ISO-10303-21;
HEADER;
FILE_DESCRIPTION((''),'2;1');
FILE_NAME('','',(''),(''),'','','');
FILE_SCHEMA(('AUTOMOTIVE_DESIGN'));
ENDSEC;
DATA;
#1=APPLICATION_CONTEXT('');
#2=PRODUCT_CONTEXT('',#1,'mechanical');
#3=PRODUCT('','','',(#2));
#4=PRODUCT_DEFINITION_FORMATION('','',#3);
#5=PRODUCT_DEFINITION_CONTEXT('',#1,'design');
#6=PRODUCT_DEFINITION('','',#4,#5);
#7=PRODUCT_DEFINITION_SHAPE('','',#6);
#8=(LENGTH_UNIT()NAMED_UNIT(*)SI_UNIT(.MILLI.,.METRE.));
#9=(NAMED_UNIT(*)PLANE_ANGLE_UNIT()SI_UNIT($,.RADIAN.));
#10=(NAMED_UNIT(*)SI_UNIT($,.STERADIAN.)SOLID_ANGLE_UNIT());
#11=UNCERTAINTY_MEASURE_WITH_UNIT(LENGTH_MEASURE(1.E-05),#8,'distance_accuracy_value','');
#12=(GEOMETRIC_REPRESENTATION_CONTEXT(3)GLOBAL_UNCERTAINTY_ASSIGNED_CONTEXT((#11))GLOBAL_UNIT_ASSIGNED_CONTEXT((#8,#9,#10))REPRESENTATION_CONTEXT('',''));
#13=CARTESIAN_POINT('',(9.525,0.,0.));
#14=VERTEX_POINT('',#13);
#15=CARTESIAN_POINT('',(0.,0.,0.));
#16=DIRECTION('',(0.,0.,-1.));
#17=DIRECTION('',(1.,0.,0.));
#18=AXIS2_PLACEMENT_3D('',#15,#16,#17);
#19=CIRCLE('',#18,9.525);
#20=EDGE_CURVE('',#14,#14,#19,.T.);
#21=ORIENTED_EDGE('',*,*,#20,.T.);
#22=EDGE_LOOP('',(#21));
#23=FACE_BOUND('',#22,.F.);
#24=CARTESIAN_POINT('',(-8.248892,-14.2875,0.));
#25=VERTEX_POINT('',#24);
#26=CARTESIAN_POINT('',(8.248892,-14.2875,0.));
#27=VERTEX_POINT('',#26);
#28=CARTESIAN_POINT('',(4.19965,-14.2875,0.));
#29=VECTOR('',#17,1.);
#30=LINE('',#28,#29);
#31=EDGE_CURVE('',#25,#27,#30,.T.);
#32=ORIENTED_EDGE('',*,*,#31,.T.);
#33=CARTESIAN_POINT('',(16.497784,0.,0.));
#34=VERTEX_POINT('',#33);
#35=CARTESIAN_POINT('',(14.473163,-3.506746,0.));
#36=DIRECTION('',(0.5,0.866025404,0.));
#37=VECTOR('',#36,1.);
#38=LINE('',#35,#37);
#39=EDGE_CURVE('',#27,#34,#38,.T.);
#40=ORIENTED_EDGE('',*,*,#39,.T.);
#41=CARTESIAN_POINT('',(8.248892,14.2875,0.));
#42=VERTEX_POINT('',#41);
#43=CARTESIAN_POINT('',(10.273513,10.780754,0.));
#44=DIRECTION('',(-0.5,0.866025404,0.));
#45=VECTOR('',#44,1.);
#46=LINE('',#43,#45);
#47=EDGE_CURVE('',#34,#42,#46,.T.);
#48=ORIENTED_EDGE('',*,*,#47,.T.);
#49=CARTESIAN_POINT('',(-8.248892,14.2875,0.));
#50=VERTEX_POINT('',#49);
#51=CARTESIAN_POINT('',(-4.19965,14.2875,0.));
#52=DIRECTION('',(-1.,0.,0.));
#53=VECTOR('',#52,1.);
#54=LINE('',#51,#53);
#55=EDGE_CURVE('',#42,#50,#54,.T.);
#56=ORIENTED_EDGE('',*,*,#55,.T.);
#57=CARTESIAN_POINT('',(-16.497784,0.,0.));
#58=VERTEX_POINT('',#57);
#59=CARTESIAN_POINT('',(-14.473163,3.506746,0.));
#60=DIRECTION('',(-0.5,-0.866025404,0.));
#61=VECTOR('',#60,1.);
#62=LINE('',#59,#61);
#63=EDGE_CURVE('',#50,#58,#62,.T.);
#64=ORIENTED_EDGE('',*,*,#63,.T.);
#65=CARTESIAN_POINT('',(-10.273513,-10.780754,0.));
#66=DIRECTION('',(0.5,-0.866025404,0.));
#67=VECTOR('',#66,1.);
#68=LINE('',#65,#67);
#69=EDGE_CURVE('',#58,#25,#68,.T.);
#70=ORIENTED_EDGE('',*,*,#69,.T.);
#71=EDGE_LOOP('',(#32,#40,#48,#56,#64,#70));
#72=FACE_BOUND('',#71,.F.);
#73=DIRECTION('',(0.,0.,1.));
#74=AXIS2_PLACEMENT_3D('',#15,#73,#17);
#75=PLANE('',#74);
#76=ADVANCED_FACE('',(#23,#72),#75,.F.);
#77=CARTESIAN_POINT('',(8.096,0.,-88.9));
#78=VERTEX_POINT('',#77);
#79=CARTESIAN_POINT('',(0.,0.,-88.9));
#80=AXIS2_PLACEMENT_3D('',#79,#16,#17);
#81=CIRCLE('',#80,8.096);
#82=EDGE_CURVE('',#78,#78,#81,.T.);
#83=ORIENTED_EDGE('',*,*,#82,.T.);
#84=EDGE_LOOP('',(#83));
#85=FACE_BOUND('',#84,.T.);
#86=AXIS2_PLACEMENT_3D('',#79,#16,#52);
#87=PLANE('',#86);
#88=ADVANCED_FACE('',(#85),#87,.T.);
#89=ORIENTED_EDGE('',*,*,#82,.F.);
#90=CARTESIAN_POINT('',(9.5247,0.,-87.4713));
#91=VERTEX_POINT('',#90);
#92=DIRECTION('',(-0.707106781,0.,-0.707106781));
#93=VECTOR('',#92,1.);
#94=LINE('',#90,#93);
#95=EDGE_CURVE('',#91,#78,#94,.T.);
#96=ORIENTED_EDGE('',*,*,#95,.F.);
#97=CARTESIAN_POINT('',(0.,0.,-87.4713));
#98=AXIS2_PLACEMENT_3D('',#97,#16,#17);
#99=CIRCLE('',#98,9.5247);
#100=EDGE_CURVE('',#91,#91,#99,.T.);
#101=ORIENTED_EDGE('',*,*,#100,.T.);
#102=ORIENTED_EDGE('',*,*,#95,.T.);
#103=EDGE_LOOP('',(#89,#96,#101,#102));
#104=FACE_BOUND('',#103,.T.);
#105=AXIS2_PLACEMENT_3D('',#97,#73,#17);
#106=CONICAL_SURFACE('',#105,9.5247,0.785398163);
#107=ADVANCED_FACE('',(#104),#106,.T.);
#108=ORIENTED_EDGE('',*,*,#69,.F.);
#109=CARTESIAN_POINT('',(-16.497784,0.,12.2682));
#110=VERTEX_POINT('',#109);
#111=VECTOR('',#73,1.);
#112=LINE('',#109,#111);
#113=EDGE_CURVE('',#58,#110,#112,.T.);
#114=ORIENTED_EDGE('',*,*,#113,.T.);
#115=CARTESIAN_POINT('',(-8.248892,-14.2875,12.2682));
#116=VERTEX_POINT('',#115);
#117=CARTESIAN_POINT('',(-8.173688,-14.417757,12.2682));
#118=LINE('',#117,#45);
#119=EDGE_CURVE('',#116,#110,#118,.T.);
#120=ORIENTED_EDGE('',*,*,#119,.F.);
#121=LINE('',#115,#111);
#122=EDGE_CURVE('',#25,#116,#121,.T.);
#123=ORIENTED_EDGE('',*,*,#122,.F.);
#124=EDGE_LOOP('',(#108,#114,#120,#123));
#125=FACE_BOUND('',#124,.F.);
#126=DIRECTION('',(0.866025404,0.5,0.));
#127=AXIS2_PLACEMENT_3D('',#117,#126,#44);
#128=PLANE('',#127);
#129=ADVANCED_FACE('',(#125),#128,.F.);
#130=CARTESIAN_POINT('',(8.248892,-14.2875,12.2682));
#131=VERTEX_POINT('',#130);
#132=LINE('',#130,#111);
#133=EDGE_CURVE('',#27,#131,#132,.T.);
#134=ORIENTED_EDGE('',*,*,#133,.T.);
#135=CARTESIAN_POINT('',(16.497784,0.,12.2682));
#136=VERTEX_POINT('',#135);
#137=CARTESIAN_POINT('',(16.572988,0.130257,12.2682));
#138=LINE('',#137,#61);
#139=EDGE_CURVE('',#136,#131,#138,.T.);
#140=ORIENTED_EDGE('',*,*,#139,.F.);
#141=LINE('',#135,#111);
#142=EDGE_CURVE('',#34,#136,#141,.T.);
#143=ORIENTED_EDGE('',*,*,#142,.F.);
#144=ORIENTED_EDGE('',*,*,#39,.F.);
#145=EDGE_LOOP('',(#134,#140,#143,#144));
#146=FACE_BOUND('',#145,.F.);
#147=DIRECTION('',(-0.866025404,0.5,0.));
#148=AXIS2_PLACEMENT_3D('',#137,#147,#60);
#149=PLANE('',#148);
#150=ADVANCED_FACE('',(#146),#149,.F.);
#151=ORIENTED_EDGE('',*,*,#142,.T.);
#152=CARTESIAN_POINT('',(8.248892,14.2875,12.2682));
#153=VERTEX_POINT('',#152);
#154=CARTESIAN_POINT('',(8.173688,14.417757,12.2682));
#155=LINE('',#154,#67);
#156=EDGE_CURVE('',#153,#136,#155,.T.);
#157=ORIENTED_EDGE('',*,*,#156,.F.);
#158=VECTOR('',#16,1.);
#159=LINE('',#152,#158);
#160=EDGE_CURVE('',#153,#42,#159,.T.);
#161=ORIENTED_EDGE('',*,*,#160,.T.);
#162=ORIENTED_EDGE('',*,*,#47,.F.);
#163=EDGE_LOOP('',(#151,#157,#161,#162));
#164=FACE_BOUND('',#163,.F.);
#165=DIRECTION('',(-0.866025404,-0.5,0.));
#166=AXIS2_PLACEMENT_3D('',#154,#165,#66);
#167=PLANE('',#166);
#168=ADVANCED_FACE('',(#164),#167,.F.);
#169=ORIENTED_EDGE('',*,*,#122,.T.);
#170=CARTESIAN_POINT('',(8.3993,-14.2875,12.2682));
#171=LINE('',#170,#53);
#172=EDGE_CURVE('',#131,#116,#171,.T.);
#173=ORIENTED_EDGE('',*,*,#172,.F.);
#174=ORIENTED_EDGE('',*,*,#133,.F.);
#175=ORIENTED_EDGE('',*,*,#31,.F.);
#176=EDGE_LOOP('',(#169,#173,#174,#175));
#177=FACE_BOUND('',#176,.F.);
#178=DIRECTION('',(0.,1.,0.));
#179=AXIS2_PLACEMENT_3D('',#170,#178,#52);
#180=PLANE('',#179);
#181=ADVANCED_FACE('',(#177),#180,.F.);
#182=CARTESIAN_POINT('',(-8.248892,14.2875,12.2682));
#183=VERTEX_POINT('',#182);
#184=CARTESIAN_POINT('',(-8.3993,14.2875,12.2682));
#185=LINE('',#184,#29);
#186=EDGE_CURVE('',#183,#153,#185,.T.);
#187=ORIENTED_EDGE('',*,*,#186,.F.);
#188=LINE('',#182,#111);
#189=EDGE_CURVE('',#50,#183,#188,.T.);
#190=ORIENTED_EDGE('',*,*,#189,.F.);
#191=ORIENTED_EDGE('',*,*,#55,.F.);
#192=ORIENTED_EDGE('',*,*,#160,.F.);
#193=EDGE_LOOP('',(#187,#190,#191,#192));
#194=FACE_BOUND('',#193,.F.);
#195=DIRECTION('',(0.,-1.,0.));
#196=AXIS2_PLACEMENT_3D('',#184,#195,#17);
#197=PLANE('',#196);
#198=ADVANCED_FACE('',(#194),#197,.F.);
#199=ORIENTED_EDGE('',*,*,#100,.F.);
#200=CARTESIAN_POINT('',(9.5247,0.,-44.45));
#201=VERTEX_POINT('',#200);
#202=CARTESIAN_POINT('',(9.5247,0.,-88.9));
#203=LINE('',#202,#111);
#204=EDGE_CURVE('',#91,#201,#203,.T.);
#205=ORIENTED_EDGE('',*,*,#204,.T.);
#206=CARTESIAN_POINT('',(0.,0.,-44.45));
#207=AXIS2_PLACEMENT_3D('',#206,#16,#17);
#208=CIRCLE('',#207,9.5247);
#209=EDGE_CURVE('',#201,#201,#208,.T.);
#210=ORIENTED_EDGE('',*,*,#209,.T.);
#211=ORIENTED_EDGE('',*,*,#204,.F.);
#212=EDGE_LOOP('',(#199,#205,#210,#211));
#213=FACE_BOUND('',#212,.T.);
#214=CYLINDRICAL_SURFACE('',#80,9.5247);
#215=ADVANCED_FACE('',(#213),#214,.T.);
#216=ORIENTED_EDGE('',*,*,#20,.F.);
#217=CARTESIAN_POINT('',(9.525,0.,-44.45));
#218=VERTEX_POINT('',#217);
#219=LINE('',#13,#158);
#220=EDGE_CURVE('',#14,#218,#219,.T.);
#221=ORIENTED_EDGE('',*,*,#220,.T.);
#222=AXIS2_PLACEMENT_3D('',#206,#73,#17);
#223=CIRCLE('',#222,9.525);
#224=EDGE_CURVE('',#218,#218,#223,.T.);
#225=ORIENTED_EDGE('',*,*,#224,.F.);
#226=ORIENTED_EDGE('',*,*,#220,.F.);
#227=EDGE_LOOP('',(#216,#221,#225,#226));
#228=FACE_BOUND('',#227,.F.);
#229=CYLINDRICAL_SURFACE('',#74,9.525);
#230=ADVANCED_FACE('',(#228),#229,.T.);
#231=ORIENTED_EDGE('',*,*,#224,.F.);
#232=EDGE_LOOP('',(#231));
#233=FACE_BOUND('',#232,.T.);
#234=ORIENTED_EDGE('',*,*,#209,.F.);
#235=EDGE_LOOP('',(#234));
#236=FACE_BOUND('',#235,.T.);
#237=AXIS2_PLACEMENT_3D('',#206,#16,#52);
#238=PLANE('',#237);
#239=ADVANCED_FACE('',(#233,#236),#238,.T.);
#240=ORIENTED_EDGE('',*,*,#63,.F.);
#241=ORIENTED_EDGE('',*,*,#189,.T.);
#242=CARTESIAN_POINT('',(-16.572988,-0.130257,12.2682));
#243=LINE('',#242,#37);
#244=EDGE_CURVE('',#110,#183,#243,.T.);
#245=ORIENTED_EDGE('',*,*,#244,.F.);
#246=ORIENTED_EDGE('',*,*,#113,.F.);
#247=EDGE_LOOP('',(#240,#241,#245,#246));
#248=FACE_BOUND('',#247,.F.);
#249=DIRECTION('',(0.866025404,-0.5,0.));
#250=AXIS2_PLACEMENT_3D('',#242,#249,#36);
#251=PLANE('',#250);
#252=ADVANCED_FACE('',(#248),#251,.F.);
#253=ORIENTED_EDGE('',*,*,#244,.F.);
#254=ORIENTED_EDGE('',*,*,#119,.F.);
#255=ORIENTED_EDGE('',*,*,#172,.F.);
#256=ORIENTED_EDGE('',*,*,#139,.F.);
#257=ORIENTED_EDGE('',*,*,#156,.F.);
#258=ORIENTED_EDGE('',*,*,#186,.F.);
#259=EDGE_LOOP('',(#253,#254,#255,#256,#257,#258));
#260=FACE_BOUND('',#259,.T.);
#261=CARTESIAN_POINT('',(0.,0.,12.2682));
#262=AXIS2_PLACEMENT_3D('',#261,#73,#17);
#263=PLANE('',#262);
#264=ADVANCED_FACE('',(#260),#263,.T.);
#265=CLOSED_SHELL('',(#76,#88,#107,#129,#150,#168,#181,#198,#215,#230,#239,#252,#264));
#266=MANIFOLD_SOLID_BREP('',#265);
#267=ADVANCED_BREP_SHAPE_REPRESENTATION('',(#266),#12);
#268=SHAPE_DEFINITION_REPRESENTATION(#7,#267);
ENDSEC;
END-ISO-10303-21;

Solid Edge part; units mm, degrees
sketch "Sketch1" plane through (0, 0, 0) normal (0, 0, 1) x (1, 0, 0)
  circle A0 centre (0, 0) radius 16.5735
  dimension "D1" = 33.147
extrude "Protrusion1" add sketch "Sketch1" along normal blind 12.2682
sketch "Sketch2" plane through (0, 0, 0) normal (0, 0, -1) x (1, 0, 0)
  circle A0 centre (0, 0) radius 9.525
extrude "Protrusion2" add sketch "Sketch2" along normal blind 88.9
sketch "Sketch3" plane through (0, 0, -88.9) normal (0, 0, -1) x (1, 0, 0)
  circle A0 centre (0, 0) radius 9.5247
extrude "Cutout1" cut sketch "Sketch3" against normal blind 44.45 flip side to cut
chamfer "Chamfer_1" distance 1.4287 angle 45 1 edges at (-9.5247, 0, -88.9)
sketch "Sketch4" plane through (0, 0, 12.2682) normal (0, 0, 1) x (1, 0, 0)
  line L0 (-8.3993, 14.2875) -> (8.3993, 14.2875)
  dimension "D1" = 28.575
extrude "Cutout2" cut sketch "Sketch4" against normal up to next material side at (0, 14.3375, 12.2682)
pattern_circular "Pattern1" count 6 over 360 about axis through (0, 0, 12.2682) along (0, 0, 1) of "Cutout2"
properties part number "24100048"
